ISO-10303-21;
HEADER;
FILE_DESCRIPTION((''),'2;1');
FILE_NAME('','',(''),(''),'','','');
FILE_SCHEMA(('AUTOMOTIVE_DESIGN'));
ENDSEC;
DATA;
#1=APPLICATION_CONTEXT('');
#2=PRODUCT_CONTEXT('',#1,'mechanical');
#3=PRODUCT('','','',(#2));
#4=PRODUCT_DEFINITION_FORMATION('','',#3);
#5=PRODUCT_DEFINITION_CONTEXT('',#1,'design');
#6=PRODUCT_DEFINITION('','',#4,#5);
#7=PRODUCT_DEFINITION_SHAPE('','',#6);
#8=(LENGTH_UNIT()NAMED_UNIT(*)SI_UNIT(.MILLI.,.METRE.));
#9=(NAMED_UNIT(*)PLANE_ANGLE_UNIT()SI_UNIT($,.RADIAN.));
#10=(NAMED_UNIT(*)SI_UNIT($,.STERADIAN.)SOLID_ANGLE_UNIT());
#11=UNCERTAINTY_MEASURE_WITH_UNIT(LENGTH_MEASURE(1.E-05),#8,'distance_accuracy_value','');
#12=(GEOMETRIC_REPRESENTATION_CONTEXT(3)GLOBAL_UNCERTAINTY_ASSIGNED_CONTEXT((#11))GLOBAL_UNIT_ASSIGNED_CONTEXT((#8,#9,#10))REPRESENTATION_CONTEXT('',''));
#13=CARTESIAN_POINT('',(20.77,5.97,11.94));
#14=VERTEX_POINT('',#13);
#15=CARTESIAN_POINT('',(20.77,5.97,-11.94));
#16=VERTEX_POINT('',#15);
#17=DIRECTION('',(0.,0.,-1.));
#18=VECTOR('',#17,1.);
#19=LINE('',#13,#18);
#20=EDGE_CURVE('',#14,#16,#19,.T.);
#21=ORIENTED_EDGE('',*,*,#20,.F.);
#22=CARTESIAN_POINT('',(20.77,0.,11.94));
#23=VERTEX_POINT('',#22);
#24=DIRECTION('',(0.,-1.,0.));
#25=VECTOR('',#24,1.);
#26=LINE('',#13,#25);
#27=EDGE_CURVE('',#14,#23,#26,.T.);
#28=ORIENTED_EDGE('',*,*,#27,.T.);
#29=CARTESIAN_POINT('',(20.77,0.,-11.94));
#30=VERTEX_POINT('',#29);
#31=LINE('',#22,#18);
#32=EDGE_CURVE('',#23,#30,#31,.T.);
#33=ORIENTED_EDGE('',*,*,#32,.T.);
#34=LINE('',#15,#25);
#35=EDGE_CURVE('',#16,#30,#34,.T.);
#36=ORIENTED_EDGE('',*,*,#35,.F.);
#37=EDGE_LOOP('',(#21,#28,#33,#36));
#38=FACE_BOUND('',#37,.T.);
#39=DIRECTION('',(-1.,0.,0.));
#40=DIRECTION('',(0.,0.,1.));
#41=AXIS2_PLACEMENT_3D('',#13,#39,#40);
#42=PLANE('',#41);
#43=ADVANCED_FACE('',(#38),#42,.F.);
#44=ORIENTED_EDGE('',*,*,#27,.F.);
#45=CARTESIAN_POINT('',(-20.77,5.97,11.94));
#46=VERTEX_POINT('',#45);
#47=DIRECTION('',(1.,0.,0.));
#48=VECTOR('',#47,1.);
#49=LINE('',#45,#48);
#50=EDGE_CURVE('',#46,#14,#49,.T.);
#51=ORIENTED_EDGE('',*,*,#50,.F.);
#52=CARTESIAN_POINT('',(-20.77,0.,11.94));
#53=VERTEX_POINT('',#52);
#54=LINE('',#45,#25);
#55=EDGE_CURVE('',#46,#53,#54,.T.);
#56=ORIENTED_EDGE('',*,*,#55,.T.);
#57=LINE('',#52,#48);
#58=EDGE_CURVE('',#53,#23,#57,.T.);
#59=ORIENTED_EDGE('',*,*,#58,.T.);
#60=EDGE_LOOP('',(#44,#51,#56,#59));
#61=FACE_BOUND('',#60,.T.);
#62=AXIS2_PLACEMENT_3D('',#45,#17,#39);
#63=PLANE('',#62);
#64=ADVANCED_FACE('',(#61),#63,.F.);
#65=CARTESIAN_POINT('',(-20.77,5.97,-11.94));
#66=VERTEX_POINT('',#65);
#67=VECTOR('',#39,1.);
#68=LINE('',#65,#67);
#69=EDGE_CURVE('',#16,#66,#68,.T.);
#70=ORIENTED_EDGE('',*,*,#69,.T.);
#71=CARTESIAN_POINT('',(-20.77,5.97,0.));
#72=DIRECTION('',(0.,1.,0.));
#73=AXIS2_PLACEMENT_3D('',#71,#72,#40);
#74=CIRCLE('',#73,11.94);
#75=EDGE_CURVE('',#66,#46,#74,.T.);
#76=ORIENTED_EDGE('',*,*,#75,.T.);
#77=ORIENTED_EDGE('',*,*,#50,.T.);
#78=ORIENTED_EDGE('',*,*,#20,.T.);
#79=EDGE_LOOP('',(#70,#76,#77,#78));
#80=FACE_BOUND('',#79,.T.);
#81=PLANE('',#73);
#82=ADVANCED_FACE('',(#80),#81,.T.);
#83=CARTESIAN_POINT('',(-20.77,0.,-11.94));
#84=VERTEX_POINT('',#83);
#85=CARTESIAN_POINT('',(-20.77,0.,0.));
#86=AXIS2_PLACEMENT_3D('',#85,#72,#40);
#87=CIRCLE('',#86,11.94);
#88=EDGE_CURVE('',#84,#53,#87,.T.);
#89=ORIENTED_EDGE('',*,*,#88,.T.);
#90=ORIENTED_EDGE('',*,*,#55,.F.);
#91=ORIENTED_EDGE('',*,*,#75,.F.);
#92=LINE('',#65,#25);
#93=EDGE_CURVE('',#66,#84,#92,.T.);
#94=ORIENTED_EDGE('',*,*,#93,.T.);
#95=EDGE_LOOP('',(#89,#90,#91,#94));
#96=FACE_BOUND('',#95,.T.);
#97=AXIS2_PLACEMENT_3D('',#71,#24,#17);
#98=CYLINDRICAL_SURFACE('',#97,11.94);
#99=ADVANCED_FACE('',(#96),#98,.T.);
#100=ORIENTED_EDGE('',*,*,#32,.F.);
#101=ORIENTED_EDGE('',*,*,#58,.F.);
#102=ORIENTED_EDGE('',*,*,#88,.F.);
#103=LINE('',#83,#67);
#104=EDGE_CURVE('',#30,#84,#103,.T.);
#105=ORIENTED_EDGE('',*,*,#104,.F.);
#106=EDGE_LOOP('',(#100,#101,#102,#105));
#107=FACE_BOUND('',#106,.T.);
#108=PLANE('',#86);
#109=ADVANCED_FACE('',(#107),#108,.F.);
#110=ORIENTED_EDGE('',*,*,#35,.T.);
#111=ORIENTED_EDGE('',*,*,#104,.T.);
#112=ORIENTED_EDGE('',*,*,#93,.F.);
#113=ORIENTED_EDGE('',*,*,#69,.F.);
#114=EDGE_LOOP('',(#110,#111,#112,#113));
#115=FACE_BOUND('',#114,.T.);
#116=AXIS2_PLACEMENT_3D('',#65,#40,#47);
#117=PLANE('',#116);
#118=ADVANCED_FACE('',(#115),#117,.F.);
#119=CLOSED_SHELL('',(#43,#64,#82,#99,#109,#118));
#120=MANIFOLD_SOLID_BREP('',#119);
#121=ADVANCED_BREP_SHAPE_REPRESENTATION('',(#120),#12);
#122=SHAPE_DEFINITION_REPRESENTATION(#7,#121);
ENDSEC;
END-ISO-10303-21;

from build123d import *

# Parameters (mm, degrees)
EXTRUDE_1_DEPTH = 5.97


with BuildPart() as part:
    # 스케치1 → 보스-돌출1 (new body)
    with BuildSketch(Plane(origin=(0, 0, 0), x_dir=(1, 0, 0), z_dir=(0, 1, 0))):
        with BuildLine():
            Line((-20.77, -11.94), (20.77, -11.94))
            Line((20.77, -11.94), (20.77, 11.94))
            Line((20.77, 11.94), (-20.77, 11.94))
            ThreePointArc((-20.77, 11.94), (-32.71, 0), (-20.77, -11.94))
        make_face()
    extrude(amount=EXTRUDE_1_DEPTH)


solid = part.part
